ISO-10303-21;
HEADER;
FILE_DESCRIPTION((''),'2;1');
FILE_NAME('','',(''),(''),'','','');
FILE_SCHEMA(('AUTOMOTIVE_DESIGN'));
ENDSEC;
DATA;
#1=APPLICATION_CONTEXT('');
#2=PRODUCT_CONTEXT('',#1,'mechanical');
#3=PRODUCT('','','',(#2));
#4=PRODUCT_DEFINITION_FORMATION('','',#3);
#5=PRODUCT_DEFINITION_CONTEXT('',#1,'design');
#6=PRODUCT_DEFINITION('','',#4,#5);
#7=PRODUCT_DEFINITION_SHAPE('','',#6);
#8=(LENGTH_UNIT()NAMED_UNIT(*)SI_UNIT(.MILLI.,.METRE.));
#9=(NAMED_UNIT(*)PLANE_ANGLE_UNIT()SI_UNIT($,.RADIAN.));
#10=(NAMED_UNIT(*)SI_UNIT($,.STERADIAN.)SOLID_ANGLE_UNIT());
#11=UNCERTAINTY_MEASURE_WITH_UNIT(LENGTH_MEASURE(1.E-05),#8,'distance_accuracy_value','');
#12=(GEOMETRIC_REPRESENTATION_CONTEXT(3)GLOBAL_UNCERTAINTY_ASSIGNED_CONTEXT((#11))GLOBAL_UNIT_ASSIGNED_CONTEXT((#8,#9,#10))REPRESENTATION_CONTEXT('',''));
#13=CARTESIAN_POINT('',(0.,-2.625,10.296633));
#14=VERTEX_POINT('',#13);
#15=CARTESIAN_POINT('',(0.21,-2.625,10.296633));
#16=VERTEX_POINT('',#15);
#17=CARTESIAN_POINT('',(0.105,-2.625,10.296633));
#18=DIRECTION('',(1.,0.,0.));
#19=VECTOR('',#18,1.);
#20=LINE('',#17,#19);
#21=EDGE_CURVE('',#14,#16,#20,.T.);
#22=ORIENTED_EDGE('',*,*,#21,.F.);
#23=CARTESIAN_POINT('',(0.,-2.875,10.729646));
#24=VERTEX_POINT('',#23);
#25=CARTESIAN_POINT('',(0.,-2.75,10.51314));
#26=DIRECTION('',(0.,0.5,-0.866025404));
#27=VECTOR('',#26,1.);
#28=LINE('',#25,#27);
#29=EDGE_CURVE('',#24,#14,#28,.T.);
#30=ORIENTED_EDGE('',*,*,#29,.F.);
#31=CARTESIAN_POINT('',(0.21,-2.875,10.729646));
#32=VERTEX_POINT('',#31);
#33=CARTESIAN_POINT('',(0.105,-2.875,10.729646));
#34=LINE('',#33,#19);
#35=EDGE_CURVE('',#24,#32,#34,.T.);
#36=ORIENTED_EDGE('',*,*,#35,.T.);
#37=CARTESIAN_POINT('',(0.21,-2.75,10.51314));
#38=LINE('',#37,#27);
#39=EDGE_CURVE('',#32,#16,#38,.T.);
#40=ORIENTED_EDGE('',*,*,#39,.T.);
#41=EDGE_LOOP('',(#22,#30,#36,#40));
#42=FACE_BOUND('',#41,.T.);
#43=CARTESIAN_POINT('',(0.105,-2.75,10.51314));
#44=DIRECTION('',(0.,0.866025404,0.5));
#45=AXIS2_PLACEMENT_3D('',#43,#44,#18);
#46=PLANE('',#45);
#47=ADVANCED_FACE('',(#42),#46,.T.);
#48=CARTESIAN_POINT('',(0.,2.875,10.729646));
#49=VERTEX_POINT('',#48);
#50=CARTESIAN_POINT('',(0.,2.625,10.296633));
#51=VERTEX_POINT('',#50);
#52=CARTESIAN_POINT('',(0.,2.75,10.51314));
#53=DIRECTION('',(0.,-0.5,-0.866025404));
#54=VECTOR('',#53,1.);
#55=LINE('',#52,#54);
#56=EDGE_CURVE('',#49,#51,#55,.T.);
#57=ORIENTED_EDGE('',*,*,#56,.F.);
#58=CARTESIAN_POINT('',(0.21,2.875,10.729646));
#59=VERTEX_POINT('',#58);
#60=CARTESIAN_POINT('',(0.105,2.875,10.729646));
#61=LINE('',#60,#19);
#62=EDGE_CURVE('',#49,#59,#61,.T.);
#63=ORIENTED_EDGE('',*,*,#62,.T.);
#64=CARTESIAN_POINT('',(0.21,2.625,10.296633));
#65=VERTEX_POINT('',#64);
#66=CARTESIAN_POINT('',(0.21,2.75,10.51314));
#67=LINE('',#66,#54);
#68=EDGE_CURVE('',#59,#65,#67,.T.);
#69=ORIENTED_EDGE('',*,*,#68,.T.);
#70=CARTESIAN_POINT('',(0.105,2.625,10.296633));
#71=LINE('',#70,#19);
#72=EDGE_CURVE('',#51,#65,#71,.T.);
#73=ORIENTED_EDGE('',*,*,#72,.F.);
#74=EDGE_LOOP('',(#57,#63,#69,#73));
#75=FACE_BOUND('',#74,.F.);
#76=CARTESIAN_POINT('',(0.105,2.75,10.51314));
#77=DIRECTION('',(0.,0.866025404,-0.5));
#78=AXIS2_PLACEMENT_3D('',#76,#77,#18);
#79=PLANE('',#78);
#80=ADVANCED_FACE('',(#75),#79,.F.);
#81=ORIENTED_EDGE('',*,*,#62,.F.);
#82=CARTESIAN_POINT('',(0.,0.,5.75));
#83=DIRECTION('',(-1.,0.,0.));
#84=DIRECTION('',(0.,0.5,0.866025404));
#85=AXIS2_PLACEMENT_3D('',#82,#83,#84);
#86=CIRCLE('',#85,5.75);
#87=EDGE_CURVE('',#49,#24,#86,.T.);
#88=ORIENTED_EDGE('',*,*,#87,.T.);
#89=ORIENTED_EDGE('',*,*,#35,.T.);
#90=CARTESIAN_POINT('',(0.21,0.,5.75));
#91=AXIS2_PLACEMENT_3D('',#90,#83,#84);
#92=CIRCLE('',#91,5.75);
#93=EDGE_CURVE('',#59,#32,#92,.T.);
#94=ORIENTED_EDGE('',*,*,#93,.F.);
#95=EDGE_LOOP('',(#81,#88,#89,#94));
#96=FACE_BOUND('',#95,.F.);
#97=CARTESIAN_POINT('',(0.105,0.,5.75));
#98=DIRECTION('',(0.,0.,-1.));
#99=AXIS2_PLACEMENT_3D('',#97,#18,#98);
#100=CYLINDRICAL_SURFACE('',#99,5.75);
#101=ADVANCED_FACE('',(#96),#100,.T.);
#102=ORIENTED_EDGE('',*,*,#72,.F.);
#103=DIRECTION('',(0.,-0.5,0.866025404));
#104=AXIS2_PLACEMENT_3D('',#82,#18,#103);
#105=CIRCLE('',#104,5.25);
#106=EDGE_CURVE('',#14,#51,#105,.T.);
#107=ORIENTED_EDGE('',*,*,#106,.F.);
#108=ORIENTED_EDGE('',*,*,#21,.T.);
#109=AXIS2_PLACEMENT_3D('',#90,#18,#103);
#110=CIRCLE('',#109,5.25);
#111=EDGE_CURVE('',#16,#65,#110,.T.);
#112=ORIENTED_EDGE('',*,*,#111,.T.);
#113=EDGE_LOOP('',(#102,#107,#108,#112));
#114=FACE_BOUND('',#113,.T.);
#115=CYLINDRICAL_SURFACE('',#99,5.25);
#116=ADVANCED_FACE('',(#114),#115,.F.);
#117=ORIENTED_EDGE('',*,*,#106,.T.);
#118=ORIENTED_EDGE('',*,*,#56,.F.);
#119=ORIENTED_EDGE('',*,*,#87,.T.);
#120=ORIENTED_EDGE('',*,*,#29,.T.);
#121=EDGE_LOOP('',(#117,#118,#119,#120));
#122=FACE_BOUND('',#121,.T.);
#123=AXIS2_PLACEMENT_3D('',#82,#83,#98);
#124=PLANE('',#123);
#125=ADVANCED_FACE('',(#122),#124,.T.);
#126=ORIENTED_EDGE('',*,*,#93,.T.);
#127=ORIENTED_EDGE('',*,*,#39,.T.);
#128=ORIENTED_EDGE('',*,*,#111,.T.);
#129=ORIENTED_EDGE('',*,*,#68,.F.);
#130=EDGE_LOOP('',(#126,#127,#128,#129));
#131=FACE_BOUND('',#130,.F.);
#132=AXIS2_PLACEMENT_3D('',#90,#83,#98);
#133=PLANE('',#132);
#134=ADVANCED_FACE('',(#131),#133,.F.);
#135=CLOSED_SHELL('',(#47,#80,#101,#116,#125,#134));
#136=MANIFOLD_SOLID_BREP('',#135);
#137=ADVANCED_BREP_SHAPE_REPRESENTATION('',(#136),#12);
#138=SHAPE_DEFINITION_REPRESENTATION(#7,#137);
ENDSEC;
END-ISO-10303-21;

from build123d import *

# Parameters (mm, degrees)
F0_W     = 0.21
F0_H     = 0.5
F1_ANGLE = 300


with BuildPart() as f1:
    # F0 (on Front) → F1 (revolve, symmetric)
    with BuildSketch(Plane.XZ) as f1_sk:
        with Locations((0.105, 0.25)):
            Rectangle(F0_W, F0_H)
    revolve(axis=Axis((0.368295, 0, 5.75), (1, 0, 0)), revolution_arc=F1_ANGLE / 2)
    revolve(f1_sk.sketch, axis=Axis((0.368295, 0, 5.75), (-1, 0, 0)), revolution_arc=F1_ANGLE / 2)


solid = f1.part
